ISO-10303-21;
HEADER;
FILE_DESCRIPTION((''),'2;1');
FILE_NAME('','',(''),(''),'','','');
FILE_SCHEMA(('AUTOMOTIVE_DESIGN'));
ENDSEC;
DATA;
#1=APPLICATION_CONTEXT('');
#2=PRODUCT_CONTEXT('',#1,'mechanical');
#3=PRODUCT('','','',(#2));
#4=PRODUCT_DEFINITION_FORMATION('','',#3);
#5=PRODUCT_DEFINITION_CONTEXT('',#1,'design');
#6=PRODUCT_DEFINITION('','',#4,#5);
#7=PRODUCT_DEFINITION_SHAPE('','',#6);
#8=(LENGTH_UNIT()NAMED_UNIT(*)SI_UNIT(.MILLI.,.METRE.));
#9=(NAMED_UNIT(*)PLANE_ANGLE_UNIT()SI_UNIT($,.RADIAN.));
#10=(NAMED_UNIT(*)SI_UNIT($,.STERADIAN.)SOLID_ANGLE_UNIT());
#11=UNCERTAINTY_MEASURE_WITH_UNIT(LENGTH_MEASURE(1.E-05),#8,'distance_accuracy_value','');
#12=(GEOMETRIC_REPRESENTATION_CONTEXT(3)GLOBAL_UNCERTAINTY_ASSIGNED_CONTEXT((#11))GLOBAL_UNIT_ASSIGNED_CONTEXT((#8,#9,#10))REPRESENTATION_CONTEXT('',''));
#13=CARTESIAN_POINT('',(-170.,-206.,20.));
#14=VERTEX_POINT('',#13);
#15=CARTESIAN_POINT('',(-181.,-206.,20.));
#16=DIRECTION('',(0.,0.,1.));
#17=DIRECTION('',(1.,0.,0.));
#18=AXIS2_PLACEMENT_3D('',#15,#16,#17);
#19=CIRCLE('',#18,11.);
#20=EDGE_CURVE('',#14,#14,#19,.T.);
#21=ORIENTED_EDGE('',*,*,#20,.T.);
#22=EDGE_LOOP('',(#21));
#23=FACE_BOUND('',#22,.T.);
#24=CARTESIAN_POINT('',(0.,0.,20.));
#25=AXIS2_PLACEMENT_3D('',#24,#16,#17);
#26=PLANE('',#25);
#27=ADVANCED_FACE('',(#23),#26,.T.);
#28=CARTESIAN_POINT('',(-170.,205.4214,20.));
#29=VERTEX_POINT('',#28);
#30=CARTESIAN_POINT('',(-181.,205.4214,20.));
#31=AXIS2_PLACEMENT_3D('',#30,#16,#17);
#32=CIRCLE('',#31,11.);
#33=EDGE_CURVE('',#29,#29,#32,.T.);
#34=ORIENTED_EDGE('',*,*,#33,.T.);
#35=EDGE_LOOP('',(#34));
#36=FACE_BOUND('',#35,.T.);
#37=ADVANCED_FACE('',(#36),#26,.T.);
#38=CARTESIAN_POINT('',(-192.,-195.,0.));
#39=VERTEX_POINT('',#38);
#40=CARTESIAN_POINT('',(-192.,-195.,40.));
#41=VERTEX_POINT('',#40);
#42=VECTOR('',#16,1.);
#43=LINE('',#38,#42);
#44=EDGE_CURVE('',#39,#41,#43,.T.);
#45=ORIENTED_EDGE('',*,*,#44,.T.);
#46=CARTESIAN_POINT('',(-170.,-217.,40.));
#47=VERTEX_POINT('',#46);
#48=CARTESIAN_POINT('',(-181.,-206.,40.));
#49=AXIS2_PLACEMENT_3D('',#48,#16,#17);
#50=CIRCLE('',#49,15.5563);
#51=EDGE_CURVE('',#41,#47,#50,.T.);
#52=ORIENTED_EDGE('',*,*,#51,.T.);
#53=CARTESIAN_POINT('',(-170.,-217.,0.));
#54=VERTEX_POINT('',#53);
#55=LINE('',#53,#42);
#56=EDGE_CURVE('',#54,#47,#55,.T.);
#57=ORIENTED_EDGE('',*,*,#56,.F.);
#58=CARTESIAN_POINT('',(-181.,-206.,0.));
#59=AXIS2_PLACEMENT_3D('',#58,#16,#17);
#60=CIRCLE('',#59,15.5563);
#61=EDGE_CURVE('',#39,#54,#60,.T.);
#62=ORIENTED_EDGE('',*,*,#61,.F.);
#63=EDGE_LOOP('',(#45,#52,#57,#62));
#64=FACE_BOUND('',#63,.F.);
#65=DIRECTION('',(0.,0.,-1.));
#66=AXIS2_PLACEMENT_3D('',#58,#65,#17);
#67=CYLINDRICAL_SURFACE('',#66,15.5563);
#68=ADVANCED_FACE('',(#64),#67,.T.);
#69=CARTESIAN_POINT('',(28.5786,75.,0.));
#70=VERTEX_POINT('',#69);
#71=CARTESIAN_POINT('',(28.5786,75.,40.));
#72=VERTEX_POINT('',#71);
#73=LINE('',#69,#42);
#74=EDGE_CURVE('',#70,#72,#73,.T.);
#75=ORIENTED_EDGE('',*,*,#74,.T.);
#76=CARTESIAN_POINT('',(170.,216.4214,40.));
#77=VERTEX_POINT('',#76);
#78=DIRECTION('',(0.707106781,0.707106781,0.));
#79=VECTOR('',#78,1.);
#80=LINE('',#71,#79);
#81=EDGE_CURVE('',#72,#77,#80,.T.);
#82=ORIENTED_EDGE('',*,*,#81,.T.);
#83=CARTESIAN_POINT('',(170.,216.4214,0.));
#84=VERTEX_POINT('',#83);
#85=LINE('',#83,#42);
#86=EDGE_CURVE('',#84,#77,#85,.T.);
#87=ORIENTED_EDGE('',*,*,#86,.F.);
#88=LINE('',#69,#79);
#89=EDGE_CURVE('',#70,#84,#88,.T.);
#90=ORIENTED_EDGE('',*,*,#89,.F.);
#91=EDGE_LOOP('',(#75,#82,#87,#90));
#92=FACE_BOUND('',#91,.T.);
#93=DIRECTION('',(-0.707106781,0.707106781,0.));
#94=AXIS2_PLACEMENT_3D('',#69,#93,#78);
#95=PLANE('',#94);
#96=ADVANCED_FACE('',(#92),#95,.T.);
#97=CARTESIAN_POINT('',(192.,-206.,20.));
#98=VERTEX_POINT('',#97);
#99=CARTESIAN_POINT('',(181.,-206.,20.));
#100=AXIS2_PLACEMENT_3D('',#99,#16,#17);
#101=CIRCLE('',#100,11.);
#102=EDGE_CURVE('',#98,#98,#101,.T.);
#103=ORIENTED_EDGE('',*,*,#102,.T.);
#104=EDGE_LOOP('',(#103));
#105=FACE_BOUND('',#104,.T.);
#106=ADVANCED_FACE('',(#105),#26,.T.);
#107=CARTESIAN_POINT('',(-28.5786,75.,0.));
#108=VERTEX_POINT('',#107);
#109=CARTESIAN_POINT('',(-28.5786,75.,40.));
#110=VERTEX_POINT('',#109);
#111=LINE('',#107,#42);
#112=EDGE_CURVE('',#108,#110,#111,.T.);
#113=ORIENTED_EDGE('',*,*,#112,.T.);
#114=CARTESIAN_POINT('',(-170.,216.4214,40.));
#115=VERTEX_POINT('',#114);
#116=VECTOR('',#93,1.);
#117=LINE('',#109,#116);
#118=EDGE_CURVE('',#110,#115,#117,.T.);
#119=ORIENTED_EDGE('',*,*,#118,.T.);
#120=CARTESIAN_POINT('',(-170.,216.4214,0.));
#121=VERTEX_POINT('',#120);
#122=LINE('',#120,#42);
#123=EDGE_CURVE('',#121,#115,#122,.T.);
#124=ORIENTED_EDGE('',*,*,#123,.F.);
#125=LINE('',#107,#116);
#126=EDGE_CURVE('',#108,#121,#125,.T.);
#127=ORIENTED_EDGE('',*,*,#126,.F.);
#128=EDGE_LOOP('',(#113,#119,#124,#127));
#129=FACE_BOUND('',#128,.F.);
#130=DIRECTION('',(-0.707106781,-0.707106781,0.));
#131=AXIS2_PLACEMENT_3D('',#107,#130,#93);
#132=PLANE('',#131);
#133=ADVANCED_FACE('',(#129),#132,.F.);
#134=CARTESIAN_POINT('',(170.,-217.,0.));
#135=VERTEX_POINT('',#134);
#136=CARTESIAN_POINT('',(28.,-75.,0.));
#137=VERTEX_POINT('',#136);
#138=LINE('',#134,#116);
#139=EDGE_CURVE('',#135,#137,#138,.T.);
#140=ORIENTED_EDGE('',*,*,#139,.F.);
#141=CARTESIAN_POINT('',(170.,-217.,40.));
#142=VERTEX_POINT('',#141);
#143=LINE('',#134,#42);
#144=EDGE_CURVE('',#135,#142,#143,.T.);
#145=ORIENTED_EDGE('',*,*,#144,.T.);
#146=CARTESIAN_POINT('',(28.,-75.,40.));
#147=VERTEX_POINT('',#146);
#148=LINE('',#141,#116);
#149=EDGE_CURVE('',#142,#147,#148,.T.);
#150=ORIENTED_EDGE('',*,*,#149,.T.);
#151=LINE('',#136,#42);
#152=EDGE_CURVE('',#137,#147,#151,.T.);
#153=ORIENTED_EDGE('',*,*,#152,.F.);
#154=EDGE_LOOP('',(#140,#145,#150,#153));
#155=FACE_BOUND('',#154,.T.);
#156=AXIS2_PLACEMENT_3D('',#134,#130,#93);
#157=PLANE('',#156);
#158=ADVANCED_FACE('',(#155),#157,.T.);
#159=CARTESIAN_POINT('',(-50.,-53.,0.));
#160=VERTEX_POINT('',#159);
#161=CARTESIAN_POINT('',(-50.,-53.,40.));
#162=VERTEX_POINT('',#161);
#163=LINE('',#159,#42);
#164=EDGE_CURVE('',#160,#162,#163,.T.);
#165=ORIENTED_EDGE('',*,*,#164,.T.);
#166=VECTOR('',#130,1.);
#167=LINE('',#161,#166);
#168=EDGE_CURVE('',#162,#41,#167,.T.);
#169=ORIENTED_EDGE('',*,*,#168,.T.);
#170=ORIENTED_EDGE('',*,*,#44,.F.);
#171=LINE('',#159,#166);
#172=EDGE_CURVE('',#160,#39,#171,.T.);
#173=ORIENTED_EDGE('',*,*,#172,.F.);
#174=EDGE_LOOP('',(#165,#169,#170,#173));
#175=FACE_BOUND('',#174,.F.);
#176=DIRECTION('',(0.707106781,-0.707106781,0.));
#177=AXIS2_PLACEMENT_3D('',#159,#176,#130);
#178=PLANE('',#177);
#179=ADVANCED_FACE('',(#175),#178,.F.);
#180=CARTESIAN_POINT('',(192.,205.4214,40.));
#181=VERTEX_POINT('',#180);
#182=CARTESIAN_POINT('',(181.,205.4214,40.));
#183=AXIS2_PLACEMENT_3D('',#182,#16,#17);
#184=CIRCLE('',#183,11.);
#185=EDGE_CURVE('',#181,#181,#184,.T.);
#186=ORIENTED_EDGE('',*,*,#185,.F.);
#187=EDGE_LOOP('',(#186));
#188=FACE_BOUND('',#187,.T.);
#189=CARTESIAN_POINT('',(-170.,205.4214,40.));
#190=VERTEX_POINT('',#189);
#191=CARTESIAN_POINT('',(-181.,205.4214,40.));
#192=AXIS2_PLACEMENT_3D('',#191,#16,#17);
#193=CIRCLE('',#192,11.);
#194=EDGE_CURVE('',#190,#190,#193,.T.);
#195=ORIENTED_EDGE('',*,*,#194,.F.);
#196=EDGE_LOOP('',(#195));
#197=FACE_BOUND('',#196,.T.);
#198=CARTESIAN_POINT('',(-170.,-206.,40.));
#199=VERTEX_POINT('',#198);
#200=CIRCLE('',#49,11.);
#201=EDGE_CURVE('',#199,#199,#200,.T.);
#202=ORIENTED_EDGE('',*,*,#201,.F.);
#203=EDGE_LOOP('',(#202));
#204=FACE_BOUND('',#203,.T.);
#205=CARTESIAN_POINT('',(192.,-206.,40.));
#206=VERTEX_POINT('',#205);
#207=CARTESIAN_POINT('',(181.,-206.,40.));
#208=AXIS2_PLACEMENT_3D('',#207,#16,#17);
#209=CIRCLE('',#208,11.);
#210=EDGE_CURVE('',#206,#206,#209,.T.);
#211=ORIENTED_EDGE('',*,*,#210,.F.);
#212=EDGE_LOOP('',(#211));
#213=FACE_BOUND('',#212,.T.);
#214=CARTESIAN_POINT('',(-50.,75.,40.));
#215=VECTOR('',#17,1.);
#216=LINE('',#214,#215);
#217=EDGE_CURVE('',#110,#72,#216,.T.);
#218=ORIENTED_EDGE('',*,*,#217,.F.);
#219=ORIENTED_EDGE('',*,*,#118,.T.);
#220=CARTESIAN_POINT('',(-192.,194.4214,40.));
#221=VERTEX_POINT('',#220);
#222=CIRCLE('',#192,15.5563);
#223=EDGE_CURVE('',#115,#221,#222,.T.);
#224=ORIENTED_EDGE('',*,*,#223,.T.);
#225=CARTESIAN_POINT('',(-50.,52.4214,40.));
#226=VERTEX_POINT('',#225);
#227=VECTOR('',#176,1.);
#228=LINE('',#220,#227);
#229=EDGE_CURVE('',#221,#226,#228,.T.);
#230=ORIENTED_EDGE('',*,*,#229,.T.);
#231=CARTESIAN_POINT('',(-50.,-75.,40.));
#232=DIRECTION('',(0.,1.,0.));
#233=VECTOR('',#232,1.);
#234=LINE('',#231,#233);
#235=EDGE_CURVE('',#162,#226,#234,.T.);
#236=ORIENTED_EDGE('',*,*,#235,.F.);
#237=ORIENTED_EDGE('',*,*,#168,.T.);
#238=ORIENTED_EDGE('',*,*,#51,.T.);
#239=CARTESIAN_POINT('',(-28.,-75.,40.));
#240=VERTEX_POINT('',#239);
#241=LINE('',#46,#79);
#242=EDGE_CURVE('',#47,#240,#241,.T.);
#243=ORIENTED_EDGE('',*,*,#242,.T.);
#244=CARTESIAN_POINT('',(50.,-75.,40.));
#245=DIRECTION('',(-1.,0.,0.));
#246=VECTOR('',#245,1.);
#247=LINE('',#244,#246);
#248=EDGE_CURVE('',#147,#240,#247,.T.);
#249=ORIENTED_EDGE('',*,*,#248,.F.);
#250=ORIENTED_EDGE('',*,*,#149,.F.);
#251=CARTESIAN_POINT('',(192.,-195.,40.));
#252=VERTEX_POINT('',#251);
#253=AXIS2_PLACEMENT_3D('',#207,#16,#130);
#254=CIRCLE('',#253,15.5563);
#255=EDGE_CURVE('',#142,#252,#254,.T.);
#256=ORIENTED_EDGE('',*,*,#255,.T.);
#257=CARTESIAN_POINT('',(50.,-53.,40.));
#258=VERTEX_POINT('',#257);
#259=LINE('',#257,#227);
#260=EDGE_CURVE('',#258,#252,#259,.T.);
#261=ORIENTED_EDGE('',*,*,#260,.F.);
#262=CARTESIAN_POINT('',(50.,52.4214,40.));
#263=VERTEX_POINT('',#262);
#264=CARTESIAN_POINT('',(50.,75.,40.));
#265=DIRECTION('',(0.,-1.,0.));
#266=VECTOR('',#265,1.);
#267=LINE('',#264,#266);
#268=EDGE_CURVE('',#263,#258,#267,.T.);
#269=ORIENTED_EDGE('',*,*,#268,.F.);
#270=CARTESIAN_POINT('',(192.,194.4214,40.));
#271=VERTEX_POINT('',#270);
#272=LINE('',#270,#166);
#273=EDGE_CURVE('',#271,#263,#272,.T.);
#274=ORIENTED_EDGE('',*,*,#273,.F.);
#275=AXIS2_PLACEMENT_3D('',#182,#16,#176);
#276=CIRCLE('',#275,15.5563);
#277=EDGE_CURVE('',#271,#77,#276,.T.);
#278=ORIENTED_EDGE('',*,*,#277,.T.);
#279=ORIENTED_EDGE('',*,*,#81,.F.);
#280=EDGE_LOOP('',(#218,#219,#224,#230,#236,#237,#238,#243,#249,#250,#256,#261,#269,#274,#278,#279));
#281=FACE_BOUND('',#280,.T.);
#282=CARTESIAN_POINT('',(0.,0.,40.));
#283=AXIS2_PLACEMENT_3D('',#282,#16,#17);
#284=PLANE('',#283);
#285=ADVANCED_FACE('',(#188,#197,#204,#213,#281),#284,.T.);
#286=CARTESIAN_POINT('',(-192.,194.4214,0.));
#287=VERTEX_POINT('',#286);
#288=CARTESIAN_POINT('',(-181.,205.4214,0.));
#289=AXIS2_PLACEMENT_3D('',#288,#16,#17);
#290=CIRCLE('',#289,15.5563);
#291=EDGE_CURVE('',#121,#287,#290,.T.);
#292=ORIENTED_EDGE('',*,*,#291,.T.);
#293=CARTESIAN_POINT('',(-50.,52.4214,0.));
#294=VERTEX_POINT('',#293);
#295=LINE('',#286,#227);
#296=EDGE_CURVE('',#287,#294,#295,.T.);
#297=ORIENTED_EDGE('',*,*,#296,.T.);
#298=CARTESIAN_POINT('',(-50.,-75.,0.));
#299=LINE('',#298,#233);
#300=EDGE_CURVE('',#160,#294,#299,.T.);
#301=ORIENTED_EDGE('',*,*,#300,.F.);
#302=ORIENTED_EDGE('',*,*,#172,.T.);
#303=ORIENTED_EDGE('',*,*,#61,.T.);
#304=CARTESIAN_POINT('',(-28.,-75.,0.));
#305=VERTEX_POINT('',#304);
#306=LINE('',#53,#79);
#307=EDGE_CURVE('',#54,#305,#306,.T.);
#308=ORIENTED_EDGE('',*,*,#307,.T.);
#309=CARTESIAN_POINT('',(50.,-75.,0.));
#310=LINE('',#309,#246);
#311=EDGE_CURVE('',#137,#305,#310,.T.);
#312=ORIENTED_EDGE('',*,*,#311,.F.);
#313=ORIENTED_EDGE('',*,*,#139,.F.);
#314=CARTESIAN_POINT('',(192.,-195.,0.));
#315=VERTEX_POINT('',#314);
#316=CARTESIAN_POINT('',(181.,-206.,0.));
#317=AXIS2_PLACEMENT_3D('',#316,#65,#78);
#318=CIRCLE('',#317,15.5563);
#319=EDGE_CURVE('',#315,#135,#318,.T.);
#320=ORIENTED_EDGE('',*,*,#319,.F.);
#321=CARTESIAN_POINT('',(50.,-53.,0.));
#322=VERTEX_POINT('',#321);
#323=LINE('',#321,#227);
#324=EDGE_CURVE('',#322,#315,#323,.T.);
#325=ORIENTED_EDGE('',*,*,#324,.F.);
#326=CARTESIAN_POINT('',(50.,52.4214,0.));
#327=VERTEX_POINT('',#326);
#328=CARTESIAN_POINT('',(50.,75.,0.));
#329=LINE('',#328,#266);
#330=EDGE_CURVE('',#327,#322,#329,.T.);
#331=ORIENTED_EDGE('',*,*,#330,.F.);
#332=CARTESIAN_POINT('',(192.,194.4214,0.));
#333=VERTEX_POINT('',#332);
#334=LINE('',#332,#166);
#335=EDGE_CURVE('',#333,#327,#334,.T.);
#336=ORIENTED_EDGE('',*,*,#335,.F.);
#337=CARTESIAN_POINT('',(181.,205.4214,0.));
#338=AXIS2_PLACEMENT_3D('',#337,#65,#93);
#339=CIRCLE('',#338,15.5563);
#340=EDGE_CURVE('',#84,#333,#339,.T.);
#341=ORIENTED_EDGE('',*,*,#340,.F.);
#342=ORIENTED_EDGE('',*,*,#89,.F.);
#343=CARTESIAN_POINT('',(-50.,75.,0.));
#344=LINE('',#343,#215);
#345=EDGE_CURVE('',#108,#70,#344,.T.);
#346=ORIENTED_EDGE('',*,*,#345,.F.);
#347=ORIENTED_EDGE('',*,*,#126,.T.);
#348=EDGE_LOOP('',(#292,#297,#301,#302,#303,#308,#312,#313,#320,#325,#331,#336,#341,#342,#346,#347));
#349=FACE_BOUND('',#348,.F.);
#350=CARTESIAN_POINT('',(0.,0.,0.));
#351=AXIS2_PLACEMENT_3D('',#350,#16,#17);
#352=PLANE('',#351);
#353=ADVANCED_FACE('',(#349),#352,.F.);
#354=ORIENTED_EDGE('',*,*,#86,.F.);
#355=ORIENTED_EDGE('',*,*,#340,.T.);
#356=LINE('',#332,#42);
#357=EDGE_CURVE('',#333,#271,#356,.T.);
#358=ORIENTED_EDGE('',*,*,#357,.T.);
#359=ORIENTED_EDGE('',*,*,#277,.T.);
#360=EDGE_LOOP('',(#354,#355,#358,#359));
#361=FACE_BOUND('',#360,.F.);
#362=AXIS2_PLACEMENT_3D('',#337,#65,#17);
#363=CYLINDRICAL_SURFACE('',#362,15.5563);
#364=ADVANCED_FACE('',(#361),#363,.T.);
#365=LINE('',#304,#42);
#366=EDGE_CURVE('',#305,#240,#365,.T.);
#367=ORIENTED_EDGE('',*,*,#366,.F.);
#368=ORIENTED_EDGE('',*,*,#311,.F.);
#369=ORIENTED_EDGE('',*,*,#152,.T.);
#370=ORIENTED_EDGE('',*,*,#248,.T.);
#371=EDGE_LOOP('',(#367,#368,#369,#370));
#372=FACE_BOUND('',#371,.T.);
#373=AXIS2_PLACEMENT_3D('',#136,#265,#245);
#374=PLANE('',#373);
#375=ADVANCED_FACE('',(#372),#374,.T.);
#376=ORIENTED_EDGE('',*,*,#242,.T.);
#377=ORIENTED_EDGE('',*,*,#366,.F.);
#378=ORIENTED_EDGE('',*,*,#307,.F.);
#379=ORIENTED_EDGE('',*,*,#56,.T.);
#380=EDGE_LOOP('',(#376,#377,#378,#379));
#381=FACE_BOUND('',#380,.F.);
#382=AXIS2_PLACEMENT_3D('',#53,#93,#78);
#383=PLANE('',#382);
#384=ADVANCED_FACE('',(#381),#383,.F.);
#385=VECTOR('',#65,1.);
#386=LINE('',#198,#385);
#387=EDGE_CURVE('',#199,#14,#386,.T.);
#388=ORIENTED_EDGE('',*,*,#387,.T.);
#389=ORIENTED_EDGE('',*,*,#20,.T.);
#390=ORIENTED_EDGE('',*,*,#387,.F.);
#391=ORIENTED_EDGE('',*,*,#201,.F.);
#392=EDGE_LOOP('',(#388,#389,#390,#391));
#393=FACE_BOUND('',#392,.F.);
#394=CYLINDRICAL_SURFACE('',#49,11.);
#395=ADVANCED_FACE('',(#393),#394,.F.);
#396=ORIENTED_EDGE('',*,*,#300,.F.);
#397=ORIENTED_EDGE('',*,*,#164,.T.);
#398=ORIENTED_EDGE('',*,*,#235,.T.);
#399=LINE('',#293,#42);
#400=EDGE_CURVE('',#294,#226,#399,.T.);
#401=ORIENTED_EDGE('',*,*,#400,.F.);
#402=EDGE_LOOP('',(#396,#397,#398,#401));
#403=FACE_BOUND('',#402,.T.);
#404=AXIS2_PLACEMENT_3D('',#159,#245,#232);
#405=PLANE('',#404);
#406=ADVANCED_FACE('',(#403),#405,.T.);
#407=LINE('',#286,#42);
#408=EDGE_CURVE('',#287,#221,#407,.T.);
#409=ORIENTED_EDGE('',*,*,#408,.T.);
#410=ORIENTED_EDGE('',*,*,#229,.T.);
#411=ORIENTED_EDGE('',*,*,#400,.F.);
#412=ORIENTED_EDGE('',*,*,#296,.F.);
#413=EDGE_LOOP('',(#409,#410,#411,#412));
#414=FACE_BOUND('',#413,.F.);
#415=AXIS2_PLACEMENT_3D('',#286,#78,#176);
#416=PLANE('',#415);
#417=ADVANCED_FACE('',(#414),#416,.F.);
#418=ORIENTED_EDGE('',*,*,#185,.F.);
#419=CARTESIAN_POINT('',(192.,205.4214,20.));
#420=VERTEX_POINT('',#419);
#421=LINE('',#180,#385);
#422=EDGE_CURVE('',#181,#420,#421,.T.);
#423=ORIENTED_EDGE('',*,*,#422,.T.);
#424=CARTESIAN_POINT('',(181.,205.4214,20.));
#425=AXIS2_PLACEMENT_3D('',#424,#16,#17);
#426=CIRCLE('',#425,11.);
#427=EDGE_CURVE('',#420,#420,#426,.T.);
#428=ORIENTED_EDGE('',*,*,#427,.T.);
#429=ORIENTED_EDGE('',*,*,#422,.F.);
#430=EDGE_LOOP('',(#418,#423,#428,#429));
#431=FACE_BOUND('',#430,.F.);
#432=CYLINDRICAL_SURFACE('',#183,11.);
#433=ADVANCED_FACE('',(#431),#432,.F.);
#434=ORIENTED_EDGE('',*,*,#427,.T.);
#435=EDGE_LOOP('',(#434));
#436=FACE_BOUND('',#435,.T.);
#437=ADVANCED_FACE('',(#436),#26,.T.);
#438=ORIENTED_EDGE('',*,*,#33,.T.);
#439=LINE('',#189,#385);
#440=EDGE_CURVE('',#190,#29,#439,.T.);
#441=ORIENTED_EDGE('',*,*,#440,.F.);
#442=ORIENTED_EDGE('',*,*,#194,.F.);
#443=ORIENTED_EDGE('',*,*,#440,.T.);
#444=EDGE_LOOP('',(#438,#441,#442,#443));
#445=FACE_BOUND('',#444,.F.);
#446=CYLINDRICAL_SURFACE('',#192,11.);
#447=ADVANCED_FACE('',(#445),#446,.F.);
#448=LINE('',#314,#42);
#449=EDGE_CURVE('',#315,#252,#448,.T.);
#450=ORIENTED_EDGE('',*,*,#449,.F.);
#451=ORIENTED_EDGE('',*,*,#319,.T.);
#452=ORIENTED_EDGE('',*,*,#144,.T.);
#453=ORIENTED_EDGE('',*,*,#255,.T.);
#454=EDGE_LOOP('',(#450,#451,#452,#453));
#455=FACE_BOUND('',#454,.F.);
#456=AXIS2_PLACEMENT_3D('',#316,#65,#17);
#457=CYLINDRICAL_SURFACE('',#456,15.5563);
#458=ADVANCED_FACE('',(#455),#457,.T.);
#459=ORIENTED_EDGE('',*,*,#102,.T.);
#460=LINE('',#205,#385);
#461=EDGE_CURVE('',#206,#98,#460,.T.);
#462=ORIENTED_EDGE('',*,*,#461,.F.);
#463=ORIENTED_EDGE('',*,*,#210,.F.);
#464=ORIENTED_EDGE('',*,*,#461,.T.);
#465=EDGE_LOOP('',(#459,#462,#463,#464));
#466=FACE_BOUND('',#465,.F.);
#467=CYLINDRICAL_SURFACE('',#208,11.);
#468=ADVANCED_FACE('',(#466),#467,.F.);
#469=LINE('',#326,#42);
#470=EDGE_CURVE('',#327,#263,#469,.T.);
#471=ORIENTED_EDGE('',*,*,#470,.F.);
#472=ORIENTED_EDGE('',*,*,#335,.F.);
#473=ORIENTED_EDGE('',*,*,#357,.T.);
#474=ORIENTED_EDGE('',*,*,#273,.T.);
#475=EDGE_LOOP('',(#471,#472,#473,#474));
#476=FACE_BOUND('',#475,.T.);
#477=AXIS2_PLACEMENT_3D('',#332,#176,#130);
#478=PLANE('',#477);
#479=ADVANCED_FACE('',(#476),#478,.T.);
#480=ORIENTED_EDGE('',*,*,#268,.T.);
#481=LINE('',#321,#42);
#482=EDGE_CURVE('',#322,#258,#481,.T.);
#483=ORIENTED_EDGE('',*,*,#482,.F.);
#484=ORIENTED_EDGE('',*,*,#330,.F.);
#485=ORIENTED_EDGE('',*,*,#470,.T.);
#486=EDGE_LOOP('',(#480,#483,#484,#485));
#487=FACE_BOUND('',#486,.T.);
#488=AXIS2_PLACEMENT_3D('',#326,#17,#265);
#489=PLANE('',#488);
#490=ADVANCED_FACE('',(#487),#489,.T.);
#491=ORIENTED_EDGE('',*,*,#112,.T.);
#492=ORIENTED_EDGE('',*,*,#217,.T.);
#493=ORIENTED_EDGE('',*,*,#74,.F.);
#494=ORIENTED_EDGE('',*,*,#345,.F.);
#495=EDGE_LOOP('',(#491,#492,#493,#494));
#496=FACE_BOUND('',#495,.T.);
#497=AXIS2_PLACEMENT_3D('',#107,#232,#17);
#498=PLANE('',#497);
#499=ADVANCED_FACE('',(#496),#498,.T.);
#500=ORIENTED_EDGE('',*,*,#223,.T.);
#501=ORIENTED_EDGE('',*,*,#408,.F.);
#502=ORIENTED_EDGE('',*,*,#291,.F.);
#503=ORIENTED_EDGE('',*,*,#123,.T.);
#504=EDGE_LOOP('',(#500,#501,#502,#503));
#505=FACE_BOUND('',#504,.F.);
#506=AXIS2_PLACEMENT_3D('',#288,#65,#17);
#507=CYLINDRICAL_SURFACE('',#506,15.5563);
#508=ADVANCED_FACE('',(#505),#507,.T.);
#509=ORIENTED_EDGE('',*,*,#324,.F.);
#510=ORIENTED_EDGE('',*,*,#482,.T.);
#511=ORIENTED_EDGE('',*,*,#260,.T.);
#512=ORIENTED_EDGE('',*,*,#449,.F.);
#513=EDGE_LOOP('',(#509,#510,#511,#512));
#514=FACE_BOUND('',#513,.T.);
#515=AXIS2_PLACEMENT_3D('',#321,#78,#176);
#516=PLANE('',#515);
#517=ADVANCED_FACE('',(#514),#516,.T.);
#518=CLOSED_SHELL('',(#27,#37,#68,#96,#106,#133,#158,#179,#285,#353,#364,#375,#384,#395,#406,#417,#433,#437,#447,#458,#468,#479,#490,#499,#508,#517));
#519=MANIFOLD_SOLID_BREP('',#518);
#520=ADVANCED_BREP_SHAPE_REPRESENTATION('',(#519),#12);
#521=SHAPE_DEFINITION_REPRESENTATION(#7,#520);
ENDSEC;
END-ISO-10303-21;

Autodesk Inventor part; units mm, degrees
ref_plane "YZ Plane" through (0, 0, 0) normal (1, 0, 0) x (0, 1, 0)
ref_plane "XZ Plane" through (0, 0, 0) normal (0, 1, 0) x (-1, 0, 0)
ref_plane "XY Plane" through (0, 0, 0) normal (0, 0, 1) x (1, 0, 0)
sketch "Skizze2" plane through (0, 0, 0) normal (0, 0, 1) x (1, 0, 0)
  line L0 (-50, 75) -> (50, 75)
  line L1 (50, 75) -> (50, -75)
  line L2 (50, -75) -> (-50, -75)
  line L3 (-50, -75) -> (-50, 75)
  line L4 (-28.5786, 75) -> (-170, 216.4214)
  line L5 (-170, 216.4214) -> (-192, 194.4214)
  line L6 (-192, 194.4214) -> (-50, 52.4214)
  circle A0 centre (-181, 205.4214) radius 15.5563
  line L7 (28.5786, 75) -> (170, 216.4214)
  line L8 (170, 216.4214) -> (192, 194.4214)
  line L9 (192, 194.4214) -> (50, 52.4214)
  line L10 (50, -53) -> (192, -195)
  line L11 (192, -195) -> (170, -217)
  line L12 (170, -217) -> (28, -75)
  line L13 (-50, -53) -> (-192, -195)
  line L14 (-192, -195) -> (-170, -217)
  line L15 (-170, -217) -> (-28, -75)
  circle A1 centre (181, -206) radius 15.5563
  circle A2 centre (181, 205.4214) radius 15.5563
  circle A3 centre (-181, -206) radius 15.5563
  point P0 (0, 0)
  point P1 (50, 0)
  point P2 (0, 75)
  dimension "d0" = 150
  dimension "d1" = 100
  dimension "d2" = 135
  dimension "d4" = 22
  dimension "d6" = 200
  dimension "d7" = 120
  dimension "d8" = 31.1127
  dimension "d9" = 135
  dimension "d10" = 0
  dimension "d12" = 22
  dimension "d14" = 200
  dimension "d15" = 120
  dimension "d16" = 135
  dimension "d17" = 22
  dimension "d20" = 120
  dimension "d21" = 120
  dimension "d22" = 22
  dimension "d23" = 120
  dimension "d24" = 135
  dimension "d25" = 120
extrude "Extrusion1" add sketch "Skizze2" along normal blind 40
sketch "Skizze3" plane through (0, 0, 40) normal (0, 0, 1) x (1, 0, 0)
  arc A0 (-170, 216.4214) -> (-192, 194.4214) centre (-181, 205.4214) ccw projected
  circle A1 centre (-181, 205.4214) radius 11
  arc A2 (192, 194.4214) -> (170, 216.4214) centre (181, 205.4214) ccw projected
  circle A3 centre (181, 205.4214) radius 11
  arc A4 (170, -217) -> (192, -195) centre (181, -206) ccw projected
  circle A5 centre (181, -206) radius 11
  arc A6 (-192, -195) -> (-170, -217) centre (-181, -206) ccw projected
  circle A7 centre (-181, -206) radius 11
  point P0 (0, 0)
  dimension "d28" = 22
  dimension "d29" = 22
  dimension "d30" = 22
  dimension "d31" = 22
extrude "Extrusion2" cut sketch "Skizze3" against normal blind 20
sketch "Skizze4" plane through (0, 0, 40) normal (0, 0, 1) x (1, 0, 0)
  point P0 (0, 0)
properties part number "DrohneSkizze"
